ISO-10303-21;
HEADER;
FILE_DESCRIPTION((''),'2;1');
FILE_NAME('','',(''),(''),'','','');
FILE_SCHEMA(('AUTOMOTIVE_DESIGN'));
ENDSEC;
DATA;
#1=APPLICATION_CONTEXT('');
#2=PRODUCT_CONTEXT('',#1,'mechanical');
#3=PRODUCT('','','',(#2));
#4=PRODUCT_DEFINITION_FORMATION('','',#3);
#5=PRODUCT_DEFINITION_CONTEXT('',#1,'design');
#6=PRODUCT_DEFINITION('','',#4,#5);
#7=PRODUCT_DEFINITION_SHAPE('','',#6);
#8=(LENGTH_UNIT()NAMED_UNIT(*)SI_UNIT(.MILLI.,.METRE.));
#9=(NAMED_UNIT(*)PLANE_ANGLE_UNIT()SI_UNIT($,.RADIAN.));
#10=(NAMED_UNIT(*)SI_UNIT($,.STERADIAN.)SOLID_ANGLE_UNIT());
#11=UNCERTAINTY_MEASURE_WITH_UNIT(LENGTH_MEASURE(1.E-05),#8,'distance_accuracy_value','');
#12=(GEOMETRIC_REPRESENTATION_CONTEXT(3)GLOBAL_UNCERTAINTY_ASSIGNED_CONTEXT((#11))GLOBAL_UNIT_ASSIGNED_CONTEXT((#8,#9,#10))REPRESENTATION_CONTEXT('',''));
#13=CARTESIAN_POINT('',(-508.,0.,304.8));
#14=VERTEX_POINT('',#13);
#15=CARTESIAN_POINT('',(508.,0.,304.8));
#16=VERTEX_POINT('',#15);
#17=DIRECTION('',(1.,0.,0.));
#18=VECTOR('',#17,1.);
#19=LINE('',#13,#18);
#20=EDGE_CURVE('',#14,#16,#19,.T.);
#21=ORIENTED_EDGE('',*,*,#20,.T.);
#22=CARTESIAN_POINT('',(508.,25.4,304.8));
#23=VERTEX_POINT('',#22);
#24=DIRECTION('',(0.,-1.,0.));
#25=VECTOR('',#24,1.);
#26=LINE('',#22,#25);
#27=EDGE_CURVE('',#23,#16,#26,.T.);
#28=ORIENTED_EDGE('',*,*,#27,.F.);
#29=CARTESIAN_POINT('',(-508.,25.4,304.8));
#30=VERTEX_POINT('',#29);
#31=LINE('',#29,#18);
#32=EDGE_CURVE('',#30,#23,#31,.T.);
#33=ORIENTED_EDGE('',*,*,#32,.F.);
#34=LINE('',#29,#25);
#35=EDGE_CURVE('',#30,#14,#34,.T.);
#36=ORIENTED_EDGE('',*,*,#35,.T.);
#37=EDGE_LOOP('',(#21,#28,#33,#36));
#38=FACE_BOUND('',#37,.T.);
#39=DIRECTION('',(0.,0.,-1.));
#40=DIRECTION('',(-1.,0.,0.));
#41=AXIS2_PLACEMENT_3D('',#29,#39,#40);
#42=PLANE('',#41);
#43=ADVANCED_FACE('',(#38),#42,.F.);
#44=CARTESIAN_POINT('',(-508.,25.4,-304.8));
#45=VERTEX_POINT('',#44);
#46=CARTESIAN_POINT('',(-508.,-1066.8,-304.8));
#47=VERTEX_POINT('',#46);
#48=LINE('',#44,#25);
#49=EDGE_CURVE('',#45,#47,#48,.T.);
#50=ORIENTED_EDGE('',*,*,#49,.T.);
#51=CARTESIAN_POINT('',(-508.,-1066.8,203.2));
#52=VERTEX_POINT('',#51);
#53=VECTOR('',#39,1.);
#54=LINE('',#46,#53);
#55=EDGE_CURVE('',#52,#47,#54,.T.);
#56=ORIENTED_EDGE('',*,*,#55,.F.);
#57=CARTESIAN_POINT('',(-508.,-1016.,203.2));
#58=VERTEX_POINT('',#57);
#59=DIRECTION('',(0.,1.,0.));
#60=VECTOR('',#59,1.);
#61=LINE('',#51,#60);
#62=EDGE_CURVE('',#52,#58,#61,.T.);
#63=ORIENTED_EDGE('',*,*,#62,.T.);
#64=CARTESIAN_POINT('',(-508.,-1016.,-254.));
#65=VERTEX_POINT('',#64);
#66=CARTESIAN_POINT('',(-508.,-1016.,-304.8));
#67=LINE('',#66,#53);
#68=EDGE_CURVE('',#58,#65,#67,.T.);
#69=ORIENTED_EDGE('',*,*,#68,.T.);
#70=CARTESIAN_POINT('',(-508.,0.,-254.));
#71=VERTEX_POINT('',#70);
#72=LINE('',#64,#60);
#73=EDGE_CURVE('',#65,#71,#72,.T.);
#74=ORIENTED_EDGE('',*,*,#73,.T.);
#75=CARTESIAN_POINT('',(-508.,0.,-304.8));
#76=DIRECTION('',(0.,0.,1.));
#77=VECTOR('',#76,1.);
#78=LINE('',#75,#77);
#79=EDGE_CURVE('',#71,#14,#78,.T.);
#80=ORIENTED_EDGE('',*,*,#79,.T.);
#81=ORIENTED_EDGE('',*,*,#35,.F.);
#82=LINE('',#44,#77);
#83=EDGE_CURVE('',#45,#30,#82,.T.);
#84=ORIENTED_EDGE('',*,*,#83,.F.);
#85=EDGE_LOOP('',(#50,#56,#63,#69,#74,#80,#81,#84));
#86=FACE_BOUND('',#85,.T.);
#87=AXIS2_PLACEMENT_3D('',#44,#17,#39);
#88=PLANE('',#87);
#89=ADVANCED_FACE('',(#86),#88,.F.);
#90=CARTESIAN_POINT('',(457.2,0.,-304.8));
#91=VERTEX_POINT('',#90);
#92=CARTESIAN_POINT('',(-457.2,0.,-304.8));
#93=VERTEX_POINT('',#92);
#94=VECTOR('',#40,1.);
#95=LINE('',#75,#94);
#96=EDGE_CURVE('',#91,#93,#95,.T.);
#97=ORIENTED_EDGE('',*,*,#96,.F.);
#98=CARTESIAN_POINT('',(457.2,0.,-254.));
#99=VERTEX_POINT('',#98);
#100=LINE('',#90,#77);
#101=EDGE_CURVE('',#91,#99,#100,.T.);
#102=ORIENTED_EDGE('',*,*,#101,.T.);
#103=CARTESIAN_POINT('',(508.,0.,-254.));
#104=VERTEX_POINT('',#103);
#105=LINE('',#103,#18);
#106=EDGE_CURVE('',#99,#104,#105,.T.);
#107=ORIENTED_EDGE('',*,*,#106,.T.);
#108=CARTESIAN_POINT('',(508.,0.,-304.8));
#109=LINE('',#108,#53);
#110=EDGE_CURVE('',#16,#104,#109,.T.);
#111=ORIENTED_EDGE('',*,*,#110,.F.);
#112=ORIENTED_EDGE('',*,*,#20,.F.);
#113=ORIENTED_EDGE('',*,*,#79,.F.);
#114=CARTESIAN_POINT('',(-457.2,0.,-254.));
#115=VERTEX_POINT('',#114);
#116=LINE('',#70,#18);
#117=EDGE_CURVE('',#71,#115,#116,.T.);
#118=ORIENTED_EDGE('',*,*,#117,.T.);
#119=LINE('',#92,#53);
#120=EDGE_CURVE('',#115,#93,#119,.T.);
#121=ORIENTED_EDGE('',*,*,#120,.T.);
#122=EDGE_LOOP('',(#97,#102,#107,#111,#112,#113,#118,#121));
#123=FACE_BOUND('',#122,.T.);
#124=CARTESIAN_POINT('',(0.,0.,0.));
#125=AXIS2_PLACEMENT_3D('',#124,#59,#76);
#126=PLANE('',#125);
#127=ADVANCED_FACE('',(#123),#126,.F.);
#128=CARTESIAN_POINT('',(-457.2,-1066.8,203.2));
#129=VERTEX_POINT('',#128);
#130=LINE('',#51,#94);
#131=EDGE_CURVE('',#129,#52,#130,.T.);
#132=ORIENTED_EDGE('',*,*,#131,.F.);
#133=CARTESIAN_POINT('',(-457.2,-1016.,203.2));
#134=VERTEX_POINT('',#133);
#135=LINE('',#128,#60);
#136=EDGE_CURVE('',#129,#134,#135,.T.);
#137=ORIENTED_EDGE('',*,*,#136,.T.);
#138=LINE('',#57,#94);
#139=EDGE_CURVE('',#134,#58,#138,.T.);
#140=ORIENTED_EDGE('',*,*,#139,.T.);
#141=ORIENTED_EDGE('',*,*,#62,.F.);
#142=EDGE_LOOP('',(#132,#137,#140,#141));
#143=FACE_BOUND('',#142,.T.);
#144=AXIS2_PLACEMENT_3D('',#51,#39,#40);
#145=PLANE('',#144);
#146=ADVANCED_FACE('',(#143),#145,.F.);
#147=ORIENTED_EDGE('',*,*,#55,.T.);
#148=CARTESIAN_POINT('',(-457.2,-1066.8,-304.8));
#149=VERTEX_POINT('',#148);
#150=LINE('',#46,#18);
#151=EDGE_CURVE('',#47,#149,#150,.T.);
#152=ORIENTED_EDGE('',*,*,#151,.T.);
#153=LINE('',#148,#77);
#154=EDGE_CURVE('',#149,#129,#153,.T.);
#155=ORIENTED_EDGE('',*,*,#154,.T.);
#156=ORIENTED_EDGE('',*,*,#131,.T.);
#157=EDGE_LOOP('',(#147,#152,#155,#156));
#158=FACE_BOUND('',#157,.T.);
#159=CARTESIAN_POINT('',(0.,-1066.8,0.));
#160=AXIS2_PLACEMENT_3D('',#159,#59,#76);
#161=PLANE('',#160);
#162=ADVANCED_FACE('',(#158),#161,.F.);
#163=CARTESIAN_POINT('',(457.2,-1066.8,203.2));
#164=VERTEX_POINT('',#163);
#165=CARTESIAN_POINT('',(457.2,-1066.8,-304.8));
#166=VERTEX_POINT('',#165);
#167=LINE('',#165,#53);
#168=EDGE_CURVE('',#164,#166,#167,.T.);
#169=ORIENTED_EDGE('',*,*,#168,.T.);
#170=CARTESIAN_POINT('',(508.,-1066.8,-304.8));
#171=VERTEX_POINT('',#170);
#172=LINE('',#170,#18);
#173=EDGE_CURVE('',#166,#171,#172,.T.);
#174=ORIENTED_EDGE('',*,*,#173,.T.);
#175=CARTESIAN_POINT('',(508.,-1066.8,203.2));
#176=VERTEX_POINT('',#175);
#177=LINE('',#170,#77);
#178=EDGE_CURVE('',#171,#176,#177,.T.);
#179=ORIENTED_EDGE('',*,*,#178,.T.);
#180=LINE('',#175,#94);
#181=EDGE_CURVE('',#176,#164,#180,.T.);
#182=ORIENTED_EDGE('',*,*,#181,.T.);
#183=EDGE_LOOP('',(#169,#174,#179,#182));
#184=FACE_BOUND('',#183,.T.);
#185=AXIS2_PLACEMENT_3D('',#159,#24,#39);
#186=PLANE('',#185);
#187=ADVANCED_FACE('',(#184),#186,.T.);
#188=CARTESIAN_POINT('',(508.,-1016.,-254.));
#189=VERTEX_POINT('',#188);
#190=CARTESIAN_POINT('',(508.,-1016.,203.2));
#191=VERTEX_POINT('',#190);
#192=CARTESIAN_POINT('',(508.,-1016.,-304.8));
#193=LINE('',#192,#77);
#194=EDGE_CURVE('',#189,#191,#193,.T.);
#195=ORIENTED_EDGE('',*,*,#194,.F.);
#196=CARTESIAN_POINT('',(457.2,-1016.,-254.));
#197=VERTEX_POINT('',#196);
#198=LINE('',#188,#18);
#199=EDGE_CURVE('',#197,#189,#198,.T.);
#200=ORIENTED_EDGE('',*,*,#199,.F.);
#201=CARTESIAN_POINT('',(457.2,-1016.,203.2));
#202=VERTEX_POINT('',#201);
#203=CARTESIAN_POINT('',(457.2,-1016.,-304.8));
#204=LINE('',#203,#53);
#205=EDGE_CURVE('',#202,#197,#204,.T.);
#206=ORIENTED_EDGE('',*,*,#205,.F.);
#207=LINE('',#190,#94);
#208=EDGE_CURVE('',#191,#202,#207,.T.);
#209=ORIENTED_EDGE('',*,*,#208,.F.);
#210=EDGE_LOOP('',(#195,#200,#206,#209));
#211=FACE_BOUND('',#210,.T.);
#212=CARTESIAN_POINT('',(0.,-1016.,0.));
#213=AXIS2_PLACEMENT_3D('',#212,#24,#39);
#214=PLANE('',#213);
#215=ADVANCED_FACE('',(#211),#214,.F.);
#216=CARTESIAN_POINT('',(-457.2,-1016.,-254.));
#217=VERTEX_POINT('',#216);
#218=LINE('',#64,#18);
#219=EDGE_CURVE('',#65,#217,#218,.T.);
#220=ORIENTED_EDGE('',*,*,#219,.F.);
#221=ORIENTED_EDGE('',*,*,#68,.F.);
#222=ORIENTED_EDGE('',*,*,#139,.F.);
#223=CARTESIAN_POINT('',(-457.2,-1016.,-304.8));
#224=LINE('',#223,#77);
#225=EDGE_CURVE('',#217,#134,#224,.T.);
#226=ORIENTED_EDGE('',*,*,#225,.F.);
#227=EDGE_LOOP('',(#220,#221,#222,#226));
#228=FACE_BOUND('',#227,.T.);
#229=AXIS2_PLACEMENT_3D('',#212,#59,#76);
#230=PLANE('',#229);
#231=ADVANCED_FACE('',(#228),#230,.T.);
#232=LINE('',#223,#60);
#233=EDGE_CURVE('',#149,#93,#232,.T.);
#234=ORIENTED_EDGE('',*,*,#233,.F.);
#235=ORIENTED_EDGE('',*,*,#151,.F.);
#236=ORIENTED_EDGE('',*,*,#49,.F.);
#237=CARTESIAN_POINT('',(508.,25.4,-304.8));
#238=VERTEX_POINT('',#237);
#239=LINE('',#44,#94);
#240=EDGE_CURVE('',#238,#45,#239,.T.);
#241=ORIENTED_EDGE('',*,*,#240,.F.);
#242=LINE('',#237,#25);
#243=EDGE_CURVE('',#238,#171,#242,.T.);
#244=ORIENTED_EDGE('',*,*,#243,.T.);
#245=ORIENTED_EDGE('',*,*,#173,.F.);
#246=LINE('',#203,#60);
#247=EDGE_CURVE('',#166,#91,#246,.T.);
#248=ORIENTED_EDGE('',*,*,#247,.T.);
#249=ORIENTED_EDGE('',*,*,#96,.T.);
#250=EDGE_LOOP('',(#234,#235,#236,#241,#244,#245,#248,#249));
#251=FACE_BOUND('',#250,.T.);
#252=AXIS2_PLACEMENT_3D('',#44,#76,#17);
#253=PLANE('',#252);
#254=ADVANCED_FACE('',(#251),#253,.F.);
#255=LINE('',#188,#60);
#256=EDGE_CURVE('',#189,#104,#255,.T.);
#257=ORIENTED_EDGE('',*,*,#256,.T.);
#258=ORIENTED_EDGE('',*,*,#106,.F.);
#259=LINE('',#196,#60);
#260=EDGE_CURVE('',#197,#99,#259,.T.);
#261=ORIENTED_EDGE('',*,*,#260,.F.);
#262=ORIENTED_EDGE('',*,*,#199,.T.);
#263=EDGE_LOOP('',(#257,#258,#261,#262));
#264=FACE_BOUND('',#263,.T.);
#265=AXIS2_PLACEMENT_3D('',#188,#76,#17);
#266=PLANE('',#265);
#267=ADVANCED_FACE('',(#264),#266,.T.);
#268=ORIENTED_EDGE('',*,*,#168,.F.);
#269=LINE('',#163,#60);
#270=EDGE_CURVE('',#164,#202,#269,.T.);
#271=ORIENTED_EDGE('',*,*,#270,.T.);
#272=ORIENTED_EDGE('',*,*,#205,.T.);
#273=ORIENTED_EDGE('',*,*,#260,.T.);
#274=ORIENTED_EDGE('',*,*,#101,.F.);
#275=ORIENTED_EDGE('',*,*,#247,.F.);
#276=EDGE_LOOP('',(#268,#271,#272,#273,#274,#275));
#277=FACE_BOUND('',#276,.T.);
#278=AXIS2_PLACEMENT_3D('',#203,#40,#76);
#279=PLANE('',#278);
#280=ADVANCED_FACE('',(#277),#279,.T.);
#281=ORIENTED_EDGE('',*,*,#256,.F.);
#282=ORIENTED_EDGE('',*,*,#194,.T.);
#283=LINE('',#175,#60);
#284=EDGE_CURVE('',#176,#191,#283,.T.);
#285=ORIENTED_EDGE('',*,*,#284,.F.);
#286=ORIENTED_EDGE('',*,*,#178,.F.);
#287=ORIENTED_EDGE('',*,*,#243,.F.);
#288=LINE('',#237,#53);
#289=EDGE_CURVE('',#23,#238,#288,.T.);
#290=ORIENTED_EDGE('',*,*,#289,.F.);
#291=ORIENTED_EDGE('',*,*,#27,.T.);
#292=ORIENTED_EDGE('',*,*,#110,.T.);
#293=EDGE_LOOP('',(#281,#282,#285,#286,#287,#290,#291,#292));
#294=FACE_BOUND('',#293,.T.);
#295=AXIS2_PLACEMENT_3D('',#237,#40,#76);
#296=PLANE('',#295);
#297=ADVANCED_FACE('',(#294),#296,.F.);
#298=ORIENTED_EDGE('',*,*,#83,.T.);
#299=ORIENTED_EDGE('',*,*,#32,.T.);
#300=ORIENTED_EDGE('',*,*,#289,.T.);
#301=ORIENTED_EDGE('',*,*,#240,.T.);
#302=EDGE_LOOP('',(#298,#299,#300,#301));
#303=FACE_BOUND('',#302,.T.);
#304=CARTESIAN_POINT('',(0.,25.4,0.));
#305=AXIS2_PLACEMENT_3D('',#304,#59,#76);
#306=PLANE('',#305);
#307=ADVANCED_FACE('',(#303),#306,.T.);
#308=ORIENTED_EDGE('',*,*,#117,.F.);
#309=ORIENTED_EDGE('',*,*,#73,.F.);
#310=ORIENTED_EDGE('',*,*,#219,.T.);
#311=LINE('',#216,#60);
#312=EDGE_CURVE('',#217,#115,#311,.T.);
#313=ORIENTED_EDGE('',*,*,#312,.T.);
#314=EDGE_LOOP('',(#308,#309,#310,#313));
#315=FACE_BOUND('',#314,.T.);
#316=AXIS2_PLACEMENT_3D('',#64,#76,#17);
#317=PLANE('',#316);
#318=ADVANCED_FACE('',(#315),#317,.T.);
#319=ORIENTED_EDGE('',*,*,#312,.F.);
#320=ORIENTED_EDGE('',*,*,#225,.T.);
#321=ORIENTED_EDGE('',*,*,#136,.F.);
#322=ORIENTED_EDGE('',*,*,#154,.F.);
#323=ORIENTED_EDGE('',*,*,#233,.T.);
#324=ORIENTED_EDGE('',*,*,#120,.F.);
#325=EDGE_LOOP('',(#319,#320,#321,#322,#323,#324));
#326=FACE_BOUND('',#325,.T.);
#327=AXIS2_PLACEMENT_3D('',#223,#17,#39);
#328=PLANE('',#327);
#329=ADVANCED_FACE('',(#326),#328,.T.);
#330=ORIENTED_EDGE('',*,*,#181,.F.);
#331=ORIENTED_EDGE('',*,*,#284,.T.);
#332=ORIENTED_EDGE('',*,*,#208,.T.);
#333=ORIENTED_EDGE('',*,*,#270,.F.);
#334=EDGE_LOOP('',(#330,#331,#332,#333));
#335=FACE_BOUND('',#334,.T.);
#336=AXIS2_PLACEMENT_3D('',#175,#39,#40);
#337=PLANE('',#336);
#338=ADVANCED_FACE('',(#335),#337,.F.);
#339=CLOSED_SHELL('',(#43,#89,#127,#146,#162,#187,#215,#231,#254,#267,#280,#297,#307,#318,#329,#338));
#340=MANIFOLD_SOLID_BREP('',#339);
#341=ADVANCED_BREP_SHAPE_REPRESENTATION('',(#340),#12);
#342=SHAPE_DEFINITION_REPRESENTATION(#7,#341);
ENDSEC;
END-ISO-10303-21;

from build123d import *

# Parameters (mm, degrees)
SKETCH1_W           = 1016
SKETCH1_H           = 609.6
BOSS_EXTRUDE1_DEPTH = 25.4
SKETCH2_W           = 50.8
SKETCH2_H           = 50.8
BOSS_EXTRUDE2_DEPTH = 1016
SKETCH3_W           = 50.8
SKETCH3_H           = 508
BOSS_EXTRUDE3_DEPTH = 50.8


with BuildPart() as part:
    # Sketch1 → Boss-Extrude1 (new body)
    with BuildSketch(Plane(origin=(0, 0, 0), x_dir=(1, 0, 0), z_dir=(0, 1, 0))):
        Rectangle(SKETCH1_W, SKETCH1_H)
    extrude(amount=BOSS_EXTRUDE1_DEPTH)

    # Sketch2 → Boss-Extrude2 (add)
    with BuildSketch(Plane(origin=(0, 0, 0), x_dir=(1, 0, 0), z_dir=(0, 1, 0))):
        with Locations((-482.6, 279.4)):
            Rectangle(SKETCH2_W, SKETCH2_H)
        with Locations((482.6, 279.4)):
            Rectangle(SKETCH2_W, SKETCH2_H)
    extrude(amount=-BOSS_EXTRUDE2_DEPTH)

    # Sketch3 → Boss-Extrude3 (add)
    with BuildSketch(Plane(origin=(0, -1016, 0), x_dir=(-1, 0, 0), z_dir=(0, -1, 0))):
        with Locations((482.6, 50.8)):
            Rectangle(SKETCH3_W, SKETCH3_H)
        with Locations((-482.6, 50.8)):
            Rectangle(SKETCH3_W, SKETCH3_H)
    extrude(amount=BOSS_EXTRUDE3_DEPTH)


solid = part.part
